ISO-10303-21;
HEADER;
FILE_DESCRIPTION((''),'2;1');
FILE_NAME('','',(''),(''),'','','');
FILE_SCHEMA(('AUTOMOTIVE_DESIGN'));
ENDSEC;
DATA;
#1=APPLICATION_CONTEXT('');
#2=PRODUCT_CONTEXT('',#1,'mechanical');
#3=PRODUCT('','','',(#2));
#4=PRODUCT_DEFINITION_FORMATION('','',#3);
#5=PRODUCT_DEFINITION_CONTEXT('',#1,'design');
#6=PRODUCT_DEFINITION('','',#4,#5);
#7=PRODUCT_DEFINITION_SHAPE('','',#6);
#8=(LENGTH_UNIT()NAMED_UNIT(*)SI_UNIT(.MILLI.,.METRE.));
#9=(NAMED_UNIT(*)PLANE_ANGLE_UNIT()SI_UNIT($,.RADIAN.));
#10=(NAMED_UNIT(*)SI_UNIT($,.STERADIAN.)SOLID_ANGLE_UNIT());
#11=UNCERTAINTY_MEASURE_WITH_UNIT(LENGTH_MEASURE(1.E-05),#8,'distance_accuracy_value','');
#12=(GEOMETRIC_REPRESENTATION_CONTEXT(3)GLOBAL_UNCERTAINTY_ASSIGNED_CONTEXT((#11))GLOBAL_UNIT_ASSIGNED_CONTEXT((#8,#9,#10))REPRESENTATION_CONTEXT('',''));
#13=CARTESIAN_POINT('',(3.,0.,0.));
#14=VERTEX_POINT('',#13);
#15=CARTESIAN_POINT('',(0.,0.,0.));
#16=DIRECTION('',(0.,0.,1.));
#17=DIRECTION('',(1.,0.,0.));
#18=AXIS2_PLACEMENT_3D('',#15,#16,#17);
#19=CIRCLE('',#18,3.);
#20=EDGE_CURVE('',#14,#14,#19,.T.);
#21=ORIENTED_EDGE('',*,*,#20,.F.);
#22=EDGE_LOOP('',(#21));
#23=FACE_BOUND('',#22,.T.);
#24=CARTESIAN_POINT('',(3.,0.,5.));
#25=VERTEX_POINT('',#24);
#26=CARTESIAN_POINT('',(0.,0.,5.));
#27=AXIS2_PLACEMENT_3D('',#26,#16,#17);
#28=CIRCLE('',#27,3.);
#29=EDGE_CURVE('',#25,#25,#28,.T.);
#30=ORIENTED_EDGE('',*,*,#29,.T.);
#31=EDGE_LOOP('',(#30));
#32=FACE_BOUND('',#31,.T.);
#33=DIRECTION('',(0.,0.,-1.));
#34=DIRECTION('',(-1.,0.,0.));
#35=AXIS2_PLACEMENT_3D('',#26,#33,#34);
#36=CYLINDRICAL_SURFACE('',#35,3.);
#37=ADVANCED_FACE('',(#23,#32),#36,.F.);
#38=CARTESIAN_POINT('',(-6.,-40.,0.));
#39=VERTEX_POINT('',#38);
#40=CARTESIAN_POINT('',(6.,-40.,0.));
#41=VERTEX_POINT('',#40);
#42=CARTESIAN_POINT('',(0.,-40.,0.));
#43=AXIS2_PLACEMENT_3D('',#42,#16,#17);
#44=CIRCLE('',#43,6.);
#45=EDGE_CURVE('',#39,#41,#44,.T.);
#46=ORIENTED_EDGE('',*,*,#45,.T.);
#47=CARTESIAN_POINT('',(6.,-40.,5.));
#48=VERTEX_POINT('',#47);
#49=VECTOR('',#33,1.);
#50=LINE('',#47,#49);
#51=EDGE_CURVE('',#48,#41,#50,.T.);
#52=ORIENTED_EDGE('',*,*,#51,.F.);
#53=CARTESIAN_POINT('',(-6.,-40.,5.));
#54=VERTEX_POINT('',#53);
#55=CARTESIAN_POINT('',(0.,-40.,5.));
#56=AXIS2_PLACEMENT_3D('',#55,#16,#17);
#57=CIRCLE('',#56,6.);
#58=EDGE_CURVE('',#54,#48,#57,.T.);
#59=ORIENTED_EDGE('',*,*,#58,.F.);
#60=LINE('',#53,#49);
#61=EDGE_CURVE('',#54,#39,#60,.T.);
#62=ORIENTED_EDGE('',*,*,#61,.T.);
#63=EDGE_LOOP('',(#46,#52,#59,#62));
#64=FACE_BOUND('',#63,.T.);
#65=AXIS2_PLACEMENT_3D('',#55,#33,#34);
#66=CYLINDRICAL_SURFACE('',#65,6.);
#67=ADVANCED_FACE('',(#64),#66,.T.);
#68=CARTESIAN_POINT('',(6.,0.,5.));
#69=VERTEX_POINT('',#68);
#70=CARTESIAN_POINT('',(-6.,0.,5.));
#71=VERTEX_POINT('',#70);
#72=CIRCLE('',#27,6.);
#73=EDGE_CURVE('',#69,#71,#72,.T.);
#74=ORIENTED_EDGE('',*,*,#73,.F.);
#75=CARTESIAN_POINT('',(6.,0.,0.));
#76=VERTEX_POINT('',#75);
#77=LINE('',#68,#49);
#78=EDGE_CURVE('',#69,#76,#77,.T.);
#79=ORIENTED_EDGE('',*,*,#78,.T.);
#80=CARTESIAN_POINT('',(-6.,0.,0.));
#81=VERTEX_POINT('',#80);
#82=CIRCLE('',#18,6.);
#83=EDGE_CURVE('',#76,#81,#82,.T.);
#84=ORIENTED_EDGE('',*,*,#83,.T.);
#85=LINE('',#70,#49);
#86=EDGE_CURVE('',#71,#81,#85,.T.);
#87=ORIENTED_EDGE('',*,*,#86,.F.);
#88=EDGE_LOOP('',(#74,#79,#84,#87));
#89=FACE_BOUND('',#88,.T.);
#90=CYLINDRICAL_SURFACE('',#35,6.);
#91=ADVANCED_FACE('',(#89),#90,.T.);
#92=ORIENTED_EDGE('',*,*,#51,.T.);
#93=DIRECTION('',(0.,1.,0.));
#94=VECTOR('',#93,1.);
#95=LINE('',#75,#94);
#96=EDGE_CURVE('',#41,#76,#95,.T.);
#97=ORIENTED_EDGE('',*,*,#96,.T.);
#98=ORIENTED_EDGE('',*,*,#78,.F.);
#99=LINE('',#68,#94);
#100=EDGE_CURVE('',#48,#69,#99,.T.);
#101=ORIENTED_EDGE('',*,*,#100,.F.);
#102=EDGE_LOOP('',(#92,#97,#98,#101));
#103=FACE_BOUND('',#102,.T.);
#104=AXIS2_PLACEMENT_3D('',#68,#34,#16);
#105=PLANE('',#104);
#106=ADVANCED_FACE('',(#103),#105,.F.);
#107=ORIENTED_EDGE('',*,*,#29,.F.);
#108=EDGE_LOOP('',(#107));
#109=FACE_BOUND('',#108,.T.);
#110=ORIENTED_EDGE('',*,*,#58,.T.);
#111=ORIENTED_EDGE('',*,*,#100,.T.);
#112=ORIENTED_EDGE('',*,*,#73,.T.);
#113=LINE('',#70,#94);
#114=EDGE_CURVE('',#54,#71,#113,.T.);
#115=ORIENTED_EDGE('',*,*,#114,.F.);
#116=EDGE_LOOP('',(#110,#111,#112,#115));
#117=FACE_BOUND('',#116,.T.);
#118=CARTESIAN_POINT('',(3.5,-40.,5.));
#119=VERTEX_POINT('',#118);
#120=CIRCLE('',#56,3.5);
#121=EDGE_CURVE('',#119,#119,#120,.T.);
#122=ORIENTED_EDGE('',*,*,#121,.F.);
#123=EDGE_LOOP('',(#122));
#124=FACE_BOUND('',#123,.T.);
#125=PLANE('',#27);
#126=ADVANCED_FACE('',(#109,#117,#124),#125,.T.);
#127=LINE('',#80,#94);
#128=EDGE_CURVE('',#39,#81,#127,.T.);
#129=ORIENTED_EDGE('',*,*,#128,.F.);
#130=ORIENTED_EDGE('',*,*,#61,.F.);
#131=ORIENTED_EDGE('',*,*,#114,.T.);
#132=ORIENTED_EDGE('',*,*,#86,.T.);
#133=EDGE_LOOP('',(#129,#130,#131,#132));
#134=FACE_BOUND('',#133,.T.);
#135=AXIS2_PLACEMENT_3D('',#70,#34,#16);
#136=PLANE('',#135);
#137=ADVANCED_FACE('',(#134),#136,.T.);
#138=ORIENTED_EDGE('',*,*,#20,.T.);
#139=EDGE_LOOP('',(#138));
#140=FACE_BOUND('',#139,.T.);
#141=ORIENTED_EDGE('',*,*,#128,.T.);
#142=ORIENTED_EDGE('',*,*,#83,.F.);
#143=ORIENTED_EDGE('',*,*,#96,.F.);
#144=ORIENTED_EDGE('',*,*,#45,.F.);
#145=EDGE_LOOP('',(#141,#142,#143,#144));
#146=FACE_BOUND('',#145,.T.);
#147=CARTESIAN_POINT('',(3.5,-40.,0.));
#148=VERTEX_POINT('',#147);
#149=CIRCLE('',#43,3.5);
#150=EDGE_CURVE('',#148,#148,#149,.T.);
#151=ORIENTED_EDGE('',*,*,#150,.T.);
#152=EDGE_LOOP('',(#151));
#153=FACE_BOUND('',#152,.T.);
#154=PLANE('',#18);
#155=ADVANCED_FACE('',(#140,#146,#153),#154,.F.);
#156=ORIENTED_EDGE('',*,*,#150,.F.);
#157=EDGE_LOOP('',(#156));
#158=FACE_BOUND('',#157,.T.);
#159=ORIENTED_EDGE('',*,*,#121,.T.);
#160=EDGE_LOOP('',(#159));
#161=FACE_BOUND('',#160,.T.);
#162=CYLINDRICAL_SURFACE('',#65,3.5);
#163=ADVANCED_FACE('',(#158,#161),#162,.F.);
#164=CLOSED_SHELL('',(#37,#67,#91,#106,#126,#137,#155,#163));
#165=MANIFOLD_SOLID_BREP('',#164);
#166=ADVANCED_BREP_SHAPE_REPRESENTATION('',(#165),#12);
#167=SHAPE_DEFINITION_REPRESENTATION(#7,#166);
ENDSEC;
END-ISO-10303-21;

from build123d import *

# Parameters (mm, degrees)
SZKIC1_R                    = 3
SZKIC1_R_2                  = 3.5
DODANIE_WYCI_GNI_CIE1_DEPTH = 5


with BuildPart() as part:
    # Szkic1 → Dodanie-wyciągnięcie1 (new body)
    with BuildSketch(Plane.XY):
        with BuildLine():
            Line((-6, -40), (-6, 0))
            ThreePointArc((-6, 0), (0, 6), (6, 0))
            Line((6, 0), (6, -40))
            ThreePointArc((6, -40), (0, -46), (-6, -40))
        make_face()
        Circle(SZKIC1_R, mode=Mode.SUBTRACT)
        with Locations((0, -40)):
            Circle(SZKIC1_R_2, mode=Mode.SUBTRACT)
    extrude(amount=DODANIE_WYCI_GNI_CIE1_DEPTH)


solid = part.part
